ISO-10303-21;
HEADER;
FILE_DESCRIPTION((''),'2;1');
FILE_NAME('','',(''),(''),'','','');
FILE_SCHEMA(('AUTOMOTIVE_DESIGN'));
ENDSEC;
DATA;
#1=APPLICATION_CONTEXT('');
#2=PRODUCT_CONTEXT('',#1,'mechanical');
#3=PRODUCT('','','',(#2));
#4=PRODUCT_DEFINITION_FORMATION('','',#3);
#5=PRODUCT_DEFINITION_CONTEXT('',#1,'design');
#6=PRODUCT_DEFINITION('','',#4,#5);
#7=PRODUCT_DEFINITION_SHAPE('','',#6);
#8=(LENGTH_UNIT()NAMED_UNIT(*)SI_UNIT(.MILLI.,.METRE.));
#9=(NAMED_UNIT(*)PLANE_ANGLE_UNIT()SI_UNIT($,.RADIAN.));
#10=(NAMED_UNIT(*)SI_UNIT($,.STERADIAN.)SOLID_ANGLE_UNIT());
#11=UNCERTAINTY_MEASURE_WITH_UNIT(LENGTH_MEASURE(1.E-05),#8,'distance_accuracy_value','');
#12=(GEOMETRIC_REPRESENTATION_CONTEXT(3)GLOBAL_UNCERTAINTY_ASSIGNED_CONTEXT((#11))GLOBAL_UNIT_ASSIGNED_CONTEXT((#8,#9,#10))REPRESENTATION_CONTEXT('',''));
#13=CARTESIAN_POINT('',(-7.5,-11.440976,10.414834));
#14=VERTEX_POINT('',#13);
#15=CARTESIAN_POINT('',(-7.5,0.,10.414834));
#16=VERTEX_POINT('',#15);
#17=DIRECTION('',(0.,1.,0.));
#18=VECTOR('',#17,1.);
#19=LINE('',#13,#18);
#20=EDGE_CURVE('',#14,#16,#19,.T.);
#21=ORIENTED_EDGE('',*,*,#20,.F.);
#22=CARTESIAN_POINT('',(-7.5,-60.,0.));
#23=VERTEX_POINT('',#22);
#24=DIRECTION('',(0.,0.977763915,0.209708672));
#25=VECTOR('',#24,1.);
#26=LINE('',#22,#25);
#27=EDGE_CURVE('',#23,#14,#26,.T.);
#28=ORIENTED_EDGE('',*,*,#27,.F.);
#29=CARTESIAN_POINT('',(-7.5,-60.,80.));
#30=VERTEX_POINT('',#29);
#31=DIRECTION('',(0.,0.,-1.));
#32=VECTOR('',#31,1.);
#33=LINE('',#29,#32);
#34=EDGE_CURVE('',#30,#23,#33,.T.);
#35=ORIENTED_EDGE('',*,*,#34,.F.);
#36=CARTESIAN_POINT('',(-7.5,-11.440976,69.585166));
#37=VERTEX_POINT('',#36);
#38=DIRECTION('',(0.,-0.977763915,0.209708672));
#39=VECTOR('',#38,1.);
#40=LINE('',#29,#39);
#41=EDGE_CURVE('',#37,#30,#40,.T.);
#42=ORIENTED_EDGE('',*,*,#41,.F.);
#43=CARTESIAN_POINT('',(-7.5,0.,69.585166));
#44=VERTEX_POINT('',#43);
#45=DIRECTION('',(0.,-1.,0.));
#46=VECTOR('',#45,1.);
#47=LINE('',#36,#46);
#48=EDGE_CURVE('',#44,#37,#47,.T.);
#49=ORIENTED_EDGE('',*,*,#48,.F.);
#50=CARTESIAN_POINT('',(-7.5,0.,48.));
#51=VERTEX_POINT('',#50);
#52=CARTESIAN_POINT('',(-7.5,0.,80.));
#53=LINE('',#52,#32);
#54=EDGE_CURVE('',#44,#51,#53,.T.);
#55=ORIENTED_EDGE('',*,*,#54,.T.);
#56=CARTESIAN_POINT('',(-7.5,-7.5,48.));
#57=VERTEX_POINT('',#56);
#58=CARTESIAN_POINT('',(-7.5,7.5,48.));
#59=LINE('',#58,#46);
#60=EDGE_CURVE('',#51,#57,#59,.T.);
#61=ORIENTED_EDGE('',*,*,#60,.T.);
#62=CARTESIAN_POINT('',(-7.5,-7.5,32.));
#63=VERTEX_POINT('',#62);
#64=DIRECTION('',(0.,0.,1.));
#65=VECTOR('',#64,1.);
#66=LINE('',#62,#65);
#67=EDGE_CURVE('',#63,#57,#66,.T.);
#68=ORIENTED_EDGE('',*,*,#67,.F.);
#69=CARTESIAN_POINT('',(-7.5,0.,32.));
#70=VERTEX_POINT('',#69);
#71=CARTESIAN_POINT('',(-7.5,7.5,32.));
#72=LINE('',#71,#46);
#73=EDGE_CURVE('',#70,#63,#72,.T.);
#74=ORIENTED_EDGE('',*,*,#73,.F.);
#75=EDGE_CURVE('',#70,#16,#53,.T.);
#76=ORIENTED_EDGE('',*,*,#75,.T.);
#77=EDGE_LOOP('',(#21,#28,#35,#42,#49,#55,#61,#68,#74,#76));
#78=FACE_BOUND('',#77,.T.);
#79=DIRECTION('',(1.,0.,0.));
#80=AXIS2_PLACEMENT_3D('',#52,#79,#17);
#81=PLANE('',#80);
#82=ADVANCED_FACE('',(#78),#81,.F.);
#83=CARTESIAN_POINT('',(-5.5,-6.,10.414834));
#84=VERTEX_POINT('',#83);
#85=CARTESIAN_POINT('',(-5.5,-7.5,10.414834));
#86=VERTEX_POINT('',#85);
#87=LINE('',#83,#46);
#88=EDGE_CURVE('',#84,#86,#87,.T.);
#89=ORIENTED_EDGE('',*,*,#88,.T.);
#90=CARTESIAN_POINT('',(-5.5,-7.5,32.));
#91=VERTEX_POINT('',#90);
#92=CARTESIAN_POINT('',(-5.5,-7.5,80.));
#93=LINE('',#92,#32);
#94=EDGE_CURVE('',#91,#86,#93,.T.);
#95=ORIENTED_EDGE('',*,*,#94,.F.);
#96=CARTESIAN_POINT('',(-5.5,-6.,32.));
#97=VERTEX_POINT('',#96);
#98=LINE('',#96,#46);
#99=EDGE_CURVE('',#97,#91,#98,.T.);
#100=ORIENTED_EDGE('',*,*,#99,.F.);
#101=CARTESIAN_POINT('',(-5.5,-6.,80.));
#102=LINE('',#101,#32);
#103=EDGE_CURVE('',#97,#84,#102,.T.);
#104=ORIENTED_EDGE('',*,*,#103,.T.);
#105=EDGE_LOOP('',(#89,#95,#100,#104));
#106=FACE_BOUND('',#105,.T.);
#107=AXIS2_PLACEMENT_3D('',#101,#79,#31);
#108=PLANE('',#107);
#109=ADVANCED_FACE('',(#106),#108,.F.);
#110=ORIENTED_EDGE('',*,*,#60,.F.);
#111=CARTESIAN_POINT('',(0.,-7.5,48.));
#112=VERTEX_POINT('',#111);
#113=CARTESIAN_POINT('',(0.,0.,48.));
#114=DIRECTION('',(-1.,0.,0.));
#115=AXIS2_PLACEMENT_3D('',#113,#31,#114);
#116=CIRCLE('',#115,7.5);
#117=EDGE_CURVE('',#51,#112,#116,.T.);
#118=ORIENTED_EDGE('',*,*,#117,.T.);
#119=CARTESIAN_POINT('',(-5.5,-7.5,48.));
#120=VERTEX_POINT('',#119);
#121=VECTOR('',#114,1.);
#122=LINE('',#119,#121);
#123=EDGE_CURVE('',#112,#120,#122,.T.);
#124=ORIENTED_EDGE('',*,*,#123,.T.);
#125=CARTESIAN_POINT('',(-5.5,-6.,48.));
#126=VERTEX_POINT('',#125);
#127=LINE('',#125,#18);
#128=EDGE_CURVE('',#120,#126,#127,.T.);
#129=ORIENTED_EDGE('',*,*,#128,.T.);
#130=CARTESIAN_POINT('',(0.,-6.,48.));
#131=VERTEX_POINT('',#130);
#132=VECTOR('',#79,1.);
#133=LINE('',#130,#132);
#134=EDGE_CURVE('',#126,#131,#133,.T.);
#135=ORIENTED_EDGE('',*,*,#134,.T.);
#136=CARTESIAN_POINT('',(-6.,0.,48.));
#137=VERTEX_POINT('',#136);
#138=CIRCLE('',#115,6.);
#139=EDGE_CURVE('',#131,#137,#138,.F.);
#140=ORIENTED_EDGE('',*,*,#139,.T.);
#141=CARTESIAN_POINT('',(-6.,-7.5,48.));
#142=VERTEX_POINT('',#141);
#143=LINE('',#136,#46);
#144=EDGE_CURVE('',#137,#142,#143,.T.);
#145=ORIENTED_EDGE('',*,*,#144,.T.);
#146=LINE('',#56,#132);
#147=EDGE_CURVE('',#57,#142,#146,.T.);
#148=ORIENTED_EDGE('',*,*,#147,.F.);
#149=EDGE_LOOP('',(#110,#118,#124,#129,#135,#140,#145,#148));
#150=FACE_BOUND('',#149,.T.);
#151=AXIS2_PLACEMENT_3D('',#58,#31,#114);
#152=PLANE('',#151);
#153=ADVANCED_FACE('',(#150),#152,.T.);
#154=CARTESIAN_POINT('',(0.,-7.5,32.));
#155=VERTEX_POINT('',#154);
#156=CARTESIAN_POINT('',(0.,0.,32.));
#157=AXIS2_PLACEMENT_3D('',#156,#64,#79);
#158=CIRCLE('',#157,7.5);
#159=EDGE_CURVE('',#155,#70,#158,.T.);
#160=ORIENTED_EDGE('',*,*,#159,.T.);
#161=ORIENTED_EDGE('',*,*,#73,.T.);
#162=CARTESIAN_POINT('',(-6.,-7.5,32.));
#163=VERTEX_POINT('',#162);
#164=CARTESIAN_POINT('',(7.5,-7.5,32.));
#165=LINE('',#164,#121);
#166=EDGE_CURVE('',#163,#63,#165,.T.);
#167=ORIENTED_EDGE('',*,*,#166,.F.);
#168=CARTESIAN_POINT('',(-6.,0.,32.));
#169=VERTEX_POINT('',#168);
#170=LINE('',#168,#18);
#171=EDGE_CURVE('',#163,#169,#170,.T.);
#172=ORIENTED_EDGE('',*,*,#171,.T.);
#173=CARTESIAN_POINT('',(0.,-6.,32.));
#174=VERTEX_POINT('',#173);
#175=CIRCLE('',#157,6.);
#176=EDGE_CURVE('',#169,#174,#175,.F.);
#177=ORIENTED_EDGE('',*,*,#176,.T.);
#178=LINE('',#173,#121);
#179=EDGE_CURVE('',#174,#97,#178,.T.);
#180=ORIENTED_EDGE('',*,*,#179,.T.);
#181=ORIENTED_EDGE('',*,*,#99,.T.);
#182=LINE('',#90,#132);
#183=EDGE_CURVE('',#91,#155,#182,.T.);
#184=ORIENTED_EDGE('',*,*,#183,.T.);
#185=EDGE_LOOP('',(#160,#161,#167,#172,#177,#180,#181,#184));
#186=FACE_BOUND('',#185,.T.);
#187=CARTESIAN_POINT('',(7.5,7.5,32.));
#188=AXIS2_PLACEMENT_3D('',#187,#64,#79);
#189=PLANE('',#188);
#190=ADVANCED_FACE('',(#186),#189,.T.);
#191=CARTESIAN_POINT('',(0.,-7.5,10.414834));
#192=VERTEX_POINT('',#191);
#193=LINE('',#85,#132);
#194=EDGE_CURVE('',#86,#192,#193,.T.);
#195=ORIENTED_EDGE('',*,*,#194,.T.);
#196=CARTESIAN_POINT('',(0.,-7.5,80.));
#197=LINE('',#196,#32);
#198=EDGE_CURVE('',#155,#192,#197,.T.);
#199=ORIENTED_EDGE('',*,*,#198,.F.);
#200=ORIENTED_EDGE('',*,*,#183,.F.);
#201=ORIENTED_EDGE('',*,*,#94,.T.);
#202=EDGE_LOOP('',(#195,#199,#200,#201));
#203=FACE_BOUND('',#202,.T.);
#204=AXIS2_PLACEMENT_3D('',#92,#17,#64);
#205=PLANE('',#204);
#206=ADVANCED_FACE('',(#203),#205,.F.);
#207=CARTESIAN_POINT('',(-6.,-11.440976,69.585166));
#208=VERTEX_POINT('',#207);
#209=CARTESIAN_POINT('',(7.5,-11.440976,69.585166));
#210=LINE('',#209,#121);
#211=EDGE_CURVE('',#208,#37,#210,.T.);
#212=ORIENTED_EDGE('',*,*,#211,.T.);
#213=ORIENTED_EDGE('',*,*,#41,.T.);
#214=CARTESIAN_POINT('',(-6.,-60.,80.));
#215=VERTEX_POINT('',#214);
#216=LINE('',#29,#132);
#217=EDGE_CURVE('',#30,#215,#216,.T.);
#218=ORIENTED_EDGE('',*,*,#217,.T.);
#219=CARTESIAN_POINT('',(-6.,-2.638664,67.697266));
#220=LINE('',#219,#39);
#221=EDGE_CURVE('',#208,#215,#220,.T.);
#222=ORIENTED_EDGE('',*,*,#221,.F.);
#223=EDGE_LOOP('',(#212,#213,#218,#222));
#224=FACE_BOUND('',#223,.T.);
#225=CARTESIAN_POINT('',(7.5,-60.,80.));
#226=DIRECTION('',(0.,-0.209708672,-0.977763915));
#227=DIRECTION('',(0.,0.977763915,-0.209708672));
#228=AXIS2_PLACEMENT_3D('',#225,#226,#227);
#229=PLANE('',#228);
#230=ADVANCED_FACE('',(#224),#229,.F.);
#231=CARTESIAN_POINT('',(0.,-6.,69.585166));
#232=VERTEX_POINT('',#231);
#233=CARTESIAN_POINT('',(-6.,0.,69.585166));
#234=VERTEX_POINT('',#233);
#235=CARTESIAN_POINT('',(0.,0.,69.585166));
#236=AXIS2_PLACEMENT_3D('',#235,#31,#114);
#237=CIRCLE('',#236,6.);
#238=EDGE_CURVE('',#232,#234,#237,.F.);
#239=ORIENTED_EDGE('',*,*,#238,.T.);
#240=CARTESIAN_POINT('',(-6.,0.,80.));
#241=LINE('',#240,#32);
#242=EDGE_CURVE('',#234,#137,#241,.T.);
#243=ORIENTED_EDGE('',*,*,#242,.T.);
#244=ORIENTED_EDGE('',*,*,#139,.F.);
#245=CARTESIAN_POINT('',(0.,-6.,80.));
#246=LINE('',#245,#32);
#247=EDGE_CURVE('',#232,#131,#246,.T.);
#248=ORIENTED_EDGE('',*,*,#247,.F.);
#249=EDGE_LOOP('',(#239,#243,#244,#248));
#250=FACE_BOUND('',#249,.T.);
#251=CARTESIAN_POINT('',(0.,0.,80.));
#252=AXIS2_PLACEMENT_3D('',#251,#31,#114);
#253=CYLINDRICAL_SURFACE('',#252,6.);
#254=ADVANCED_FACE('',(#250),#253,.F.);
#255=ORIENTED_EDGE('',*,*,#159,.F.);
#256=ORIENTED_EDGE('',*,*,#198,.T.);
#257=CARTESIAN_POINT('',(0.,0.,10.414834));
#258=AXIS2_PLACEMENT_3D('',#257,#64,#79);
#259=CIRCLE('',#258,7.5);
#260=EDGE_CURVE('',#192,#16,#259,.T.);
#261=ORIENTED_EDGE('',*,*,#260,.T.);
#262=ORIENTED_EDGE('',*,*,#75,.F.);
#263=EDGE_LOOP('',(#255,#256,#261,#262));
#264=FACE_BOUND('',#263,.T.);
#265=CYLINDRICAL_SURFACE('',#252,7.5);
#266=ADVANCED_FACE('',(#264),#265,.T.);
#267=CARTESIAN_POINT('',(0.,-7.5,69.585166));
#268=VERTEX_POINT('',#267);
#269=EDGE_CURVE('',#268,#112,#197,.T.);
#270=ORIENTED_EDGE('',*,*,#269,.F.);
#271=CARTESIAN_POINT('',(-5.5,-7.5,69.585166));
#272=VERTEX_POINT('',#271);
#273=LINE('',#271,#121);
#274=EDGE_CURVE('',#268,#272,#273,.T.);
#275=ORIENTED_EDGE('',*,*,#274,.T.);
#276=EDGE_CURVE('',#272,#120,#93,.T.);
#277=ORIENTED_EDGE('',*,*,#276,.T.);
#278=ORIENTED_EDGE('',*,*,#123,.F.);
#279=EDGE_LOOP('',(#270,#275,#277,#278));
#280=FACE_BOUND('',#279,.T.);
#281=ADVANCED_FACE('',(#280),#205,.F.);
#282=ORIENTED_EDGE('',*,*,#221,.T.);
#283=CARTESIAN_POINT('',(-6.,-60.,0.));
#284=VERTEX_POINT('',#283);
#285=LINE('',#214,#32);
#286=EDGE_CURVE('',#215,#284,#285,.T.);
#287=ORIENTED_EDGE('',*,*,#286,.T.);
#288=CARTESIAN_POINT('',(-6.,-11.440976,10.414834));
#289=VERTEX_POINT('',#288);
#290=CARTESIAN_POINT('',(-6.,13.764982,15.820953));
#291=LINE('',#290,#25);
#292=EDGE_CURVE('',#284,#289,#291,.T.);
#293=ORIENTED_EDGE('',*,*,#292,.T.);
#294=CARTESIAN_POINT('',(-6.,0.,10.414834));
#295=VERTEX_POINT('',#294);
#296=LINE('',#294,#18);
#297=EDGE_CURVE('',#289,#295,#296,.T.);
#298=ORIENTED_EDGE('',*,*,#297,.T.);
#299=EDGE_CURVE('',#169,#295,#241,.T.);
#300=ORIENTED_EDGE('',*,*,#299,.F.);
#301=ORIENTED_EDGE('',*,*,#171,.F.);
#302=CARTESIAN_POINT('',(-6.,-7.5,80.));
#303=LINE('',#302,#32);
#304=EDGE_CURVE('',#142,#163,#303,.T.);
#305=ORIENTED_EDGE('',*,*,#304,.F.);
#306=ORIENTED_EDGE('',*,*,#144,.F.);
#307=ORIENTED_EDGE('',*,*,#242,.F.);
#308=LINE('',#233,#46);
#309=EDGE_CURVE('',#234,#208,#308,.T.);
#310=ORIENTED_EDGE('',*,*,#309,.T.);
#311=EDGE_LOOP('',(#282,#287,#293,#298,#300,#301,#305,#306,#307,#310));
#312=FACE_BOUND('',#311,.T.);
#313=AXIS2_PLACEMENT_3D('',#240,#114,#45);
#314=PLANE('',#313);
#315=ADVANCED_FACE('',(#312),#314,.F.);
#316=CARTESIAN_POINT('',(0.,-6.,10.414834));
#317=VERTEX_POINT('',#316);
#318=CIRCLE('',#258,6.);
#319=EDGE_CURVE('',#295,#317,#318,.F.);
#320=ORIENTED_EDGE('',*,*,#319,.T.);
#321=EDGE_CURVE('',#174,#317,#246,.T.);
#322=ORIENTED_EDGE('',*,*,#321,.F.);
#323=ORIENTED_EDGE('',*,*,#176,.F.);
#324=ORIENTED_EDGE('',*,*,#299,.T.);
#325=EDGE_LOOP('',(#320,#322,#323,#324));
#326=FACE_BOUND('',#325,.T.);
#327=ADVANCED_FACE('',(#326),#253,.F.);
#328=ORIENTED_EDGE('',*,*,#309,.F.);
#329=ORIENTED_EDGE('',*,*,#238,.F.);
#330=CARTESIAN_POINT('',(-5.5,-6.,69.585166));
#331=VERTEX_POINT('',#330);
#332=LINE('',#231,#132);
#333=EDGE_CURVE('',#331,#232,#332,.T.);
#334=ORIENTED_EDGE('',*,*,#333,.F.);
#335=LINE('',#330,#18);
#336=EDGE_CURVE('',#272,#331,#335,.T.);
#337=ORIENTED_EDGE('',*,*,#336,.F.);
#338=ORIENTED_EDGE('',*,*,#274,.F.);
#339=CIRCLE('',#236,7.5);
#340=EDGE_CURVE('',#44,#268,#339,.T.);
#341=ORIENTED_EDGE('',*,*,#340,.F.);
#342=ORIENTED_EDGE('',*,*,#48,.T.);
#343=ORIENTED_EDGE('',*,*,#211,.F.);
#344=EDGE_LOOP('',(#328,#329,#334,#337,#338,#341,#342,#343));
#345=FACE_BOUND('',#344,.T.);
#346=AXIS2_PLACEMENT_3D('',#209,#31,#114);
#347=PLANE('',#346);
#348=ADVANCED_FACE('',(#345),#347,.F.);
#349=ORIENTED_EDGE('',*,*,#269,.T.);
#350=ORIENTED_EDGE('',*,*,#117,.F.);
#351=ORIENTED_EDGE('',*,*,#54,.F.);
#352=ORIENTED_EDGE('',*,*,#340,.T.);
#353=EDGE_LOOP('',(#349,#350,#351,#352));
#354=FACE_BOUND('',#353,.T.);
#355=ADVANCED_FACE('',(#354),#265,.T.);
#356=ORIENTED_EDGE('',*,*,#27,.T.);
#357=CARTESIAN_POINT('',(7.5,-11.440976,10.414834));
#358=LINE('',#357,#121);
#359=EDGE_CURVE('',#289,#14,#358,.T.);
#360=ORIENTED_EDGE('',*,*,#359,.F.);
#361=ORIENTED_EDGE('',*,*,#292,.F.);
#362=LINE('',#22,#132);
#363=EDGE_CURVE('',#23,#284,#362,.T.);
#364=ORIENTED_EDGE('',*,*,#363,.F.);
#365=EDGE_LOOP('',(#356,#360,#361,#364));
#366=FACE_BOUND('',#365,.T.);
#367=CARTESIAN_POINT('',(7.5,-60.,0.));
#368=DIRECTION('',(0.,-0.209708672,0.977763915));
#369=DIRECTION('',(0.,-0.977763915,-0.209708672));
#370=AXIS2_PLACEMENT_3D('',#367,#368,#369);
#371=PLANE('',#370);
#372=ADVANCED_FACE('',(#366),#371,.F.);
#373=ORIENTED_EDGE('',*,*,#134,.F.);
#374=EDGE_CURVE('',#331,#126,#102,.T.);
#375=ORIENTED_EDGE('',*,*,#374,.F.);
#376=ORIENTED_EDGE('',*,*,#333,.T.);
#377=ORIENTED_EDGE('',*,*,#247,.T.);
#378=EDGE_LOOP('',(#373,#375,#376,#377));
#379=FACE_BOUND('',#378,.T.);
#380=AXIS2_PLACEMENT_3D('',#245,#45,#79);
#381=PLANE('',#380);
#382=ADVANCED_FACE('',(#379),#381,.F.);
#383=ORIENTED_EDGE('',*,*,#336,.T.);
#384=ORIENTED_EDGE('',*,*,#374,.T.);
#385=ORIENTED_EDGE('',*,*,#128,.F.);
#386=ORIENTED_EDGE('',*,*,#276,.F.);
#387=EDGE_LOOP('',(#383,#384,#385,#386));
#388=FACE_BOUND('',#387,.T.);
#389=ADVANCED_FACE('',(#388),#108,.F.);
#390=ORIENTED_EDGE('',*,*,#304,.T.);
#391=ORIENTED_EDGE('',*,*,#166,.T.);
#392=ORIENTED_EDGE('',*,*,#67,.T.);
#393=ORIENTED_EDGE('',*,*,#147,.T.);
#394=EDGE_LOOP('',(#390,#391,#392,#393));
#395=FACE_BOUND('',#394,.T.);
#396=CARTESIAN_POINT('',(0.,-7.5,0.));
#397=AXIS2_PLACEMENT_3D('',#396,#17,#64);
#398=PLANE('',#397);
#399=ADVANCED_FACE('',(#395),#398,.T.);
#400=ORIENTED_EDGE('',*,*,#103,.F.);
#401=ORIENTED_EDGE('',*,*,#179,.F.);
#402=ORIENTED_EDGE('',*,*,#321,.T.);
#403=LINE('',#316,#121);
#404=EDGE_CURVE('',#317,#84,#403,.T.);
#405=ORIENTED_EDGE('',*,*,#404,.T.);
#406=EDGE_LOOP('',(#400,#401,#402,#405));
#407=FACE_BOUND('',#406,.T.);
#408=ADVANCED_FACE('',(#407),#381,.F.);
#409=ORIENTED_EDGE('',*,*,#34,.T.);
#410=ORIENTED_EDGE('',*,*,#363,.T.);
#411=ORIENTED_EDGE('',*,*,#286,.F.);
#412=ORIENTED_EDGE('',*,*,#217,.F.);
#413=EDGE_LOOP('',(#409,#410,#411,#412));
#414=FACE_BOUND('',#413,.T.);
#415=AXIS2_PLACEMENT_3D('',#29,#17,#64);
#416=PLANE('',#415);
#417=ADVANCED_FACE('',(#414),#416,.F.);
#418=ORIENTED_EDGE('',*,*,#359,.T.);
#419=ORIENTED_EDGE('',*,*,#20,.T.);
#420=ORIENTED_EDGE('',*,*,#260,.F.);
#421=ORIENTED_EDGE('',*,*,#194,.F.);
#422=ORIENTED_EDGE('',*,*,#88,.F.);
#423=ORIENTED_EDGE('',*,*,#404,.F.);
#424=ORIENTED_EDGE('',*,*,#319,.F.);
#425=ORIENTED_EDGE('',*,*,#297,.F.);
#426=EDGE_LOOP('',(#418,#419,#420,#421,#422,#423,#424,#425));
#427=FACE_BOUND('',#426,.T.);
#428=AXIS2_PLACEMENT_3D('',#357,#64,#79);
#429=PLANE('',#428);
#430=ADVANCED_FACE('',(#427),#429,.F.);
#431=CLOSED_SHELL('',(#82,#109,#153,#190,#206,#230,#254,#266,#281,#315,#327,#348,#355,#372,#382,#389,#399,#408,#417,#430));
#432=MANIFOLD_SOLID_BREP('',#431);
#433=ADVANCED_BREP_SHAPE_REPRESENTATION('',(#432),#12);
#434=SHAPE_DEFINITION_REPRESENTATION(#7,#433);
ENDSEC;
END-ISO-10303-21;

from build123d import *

# Parameters (mm, degrees)
EXTRUDE_1_DEPTH     = 80
CUT_EXTRUDE_1_DEPTH = 7.5
CUT_EXTRUDE_3_DEPTH = 102.118742081


with BuildPart() as part:
    # 草图1 → 凸台-拉伸1 (new body)
    with BuildSketch(Plane.XY):
        with BuildLine():
            Line((-7.5, -60), (-6, -60))
            Line((-6, -60), (-6, 0))
            ThreePointArc((-6, 0), (4.242640687, 4.242640687), (0, -6))
            Line((0, -6), (-5.5, -6))
            Line((-5.5, -6), (-5.5, -7.5))
            Line((-5.5, -7.5), (0, -7.5))
            ThreePointArc((0, -7.5), (5.303300859, 5.303300859), (-7.5, 0))
            Line((-7.5, 0), (-7.5, -60))
        make_face()
    extrude(amount=EXTRUDE_1_DEPTH)

    # 草图3 → 切除-拉伸1 (cut, symmetric)
    with BuildSketch(Plane(origin=(0, 0, 0), x_dir=(1, 0, 0), z_dir=(0, 1, 0))):
        Polygon((7.5, -40), (7.5, -32), (-7.5, -32), (-7.5, -48), (7.5, -48), align=None)
    extrude(amount=CUT_EXTRUDE_1_DEPTH, both=True, mode=Mode.SUBTRACT)

    # 草图5 → 切除-拉伸3 (cut, through all)
    with BuildSketch(Plane.ZY.offset(7.5)):
        Polygon((80, -60), (69.585166332, -11.440975615), (69.585166332, 7.476358761), (69.585166332, 9.692514451), (80, 9.692514451), (80, 7.5), align=None)
        Polygon((10.414833668, -11.440975615), (10.414833668, 7.476358761), (10.414833668, 9.692514451), (0, 9.692514451), (0, 7.5), (0, -60), align=None)
    extrude(amount=-CUT_EXTRUDE_3_DEPTH, mode=Mode.SUBTRACT)


solid = part.part
